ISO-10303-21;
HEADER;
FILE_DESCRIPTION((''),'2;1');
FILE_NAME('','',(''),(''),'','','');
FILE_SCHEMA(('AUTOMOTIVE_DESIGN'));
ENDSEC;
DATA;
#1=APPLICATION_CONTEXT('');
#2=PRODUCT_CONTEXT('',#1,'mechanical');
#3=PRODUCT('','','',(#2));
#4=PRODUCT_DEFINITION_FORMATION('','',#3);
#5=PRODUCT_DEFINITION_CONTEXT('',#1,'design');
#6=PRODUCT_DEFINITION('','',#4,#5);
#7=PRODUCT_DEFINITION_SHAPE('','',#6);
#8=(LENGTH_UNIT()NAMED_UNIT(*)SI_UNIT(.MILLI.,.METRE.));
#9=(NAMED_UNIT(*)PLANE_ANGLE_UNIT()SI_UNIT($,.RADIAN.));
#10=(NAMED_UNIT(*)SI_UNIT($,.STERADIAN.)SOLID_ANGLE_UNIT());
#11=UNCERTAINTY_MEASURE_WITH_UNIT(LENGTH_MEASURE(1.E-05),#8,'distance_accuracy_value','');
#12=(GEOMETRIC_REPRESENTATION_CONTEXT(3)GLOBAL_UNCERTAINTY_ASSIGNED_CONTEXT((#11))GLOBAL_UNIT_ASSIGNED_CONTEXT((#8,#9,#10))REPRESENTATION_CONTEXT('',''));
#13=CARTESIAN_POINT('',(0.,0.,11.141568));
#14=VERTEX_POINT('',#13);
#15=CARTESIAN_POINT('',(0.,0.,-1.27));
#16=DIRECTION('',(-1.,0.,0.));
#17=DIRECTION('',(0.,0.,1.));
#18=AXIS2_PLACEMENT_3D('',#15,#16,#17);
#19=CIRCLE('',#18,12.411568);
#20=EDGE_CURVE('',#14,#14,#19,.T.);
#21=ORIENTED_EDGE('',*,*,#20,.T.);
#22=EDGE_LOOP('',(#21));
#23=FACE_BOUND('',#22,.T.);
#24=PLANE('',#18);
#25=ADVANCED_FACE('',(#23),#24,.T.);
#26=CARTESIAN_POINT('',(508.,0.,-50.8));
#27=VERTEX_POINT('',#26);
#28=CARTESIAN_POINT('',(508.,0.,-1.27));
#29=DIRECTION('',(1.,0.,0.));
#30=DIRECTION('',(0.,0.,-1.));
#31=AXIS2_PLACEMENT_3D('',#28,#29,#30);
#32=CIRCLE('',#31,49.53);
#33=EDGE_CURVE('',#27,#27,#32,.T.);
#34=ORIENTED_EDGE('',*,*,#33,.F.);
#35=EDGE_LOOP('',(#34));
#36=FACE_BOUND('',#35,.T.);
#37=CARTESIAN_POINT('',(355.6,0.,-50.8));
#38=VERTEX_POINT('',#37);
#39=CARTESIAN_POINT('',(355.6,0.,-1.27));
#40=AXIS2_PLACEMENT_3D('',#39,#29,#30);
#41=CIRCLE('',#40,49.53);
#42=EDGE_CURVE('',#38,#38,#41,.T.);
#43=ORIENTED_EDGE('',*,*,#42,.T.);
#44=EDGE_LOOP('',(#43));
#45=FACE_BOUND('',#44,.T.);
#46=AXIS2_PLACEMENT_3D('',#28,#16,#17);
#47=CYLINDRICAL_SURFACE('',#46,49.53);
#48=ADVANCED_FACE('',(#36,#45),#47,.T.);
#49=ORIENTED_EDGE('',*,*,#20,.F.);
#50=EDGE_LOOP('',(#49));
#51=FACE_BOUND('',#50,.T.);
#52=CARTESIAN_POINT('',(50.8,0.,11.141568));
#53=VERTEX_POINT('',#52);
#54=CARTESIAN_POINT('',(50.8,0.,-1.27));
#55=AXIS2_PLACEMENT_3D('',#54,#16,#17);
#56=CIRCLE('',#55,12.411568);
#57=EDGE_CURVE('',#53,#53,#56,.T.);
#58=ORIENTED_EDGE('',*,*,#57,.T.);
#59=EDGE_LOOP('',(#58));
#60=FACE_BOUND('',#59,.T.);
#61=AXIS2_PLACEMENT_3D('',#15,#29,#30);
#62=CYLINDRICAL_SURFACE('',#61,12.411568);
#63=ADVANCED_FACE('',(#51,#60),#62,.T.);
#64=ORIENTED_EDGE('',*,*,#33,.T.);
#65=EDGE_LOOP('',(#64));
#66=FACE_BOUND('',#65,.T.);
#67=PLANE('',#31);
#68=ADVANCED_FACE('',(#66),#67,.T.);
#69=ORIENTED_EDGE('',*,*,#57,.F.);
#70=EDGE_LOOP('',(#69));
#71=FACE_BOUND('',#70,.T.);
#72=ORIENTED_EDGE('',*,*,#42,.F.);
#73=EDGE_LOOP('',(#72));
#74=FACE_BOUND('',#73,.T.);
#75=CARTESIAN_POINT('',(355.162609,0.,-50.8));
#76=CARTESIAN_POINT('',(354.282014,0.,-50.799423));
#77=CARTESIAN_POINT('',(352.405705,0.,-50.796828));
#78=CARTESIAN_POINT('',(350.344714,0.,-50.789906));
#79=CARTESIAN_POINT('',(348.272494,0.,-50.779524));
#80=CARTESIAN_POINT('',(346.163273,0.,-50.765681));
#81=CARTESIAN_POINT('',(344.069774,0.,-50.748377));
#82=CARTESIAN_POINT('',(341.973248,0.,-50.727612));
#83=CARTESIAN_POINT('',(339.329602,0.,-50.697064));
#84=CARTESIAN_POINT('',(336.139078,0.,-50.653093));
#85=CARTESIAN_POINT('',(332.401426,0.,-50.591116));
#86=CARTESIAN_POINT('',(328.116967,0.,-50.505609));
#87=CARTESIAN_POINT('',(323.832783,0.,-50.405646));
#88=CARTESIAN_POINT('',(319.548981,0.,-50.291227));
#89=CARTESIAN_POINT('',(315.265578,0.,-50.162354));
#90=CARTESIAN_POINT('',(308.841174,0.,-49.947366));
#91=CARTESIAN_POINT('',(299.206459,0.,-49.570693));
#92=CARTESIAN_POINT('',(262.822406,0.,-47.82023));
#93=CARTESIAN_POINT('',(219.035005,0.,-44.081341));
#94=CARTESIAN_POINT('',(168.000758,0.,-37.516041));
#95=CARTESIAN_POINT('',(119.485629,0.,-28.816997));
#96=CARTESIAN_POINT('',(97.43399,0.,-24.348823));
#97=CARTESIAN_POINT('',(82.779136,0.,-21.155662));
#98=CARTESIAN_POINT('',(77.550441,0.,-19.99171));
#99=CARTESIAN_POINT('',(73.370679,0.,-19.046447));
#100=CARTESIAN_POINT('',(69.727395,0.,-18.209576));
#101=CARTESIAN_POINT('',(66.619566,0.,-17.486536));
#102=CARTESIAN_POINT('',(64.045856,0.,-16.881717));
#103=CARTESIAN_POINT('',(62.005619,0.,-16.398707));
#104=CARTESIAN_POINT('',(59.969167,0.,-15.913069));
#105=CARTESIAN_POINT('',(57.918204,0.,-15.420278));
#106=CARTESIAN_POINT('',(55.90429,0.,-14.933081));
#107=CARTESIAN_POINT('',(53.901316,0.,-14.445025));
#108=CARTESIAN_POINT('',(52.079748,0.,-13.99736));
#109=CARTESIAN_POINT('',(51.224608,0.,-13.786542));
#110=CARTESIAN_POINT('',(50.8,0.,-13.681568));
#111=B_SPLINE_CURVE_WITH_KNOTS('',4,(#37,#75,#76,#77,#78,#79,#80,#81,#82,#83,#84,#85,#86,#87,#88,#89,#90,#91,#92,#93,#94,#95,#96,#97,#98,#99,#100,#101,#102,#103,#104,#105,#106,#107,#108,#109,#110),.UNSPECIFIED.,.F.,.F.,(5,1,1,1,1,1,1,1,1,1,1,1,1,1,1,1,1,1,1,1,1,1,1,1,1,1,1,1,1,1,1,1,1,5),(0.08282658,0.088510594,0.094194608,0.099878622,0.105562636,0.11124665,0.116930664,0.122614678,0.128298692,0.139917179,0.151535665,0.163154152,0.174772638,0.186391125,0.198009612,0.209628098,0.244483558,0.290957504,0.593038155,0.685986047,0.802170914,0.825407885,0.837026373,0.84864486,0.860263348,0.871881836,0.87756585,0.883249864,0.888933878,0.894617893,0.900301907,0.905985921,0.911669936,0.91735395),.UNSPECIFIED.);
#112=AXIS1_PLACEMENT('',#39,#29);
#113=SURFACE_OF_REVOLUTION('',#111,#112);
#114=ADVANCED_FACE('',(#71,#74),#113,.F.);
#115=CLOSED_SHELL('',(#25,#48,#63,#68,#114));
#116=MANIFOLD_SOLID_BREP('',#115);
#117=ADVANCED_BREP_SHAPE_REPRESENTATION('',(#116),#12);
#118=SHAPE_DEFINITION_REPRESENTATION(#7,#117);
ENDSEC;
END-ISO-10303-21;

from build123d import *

# Parameters (mm, degrees)
SKETCH2_R           = 49.53
BOSS_EXTRUDE1_DEPTH = 152.4
SKETCH3_R           = 12.411567775
BOSS_EXTRUDE2_DEPTH = 50.8


with BuildPart() as part:
    # Sketch1 → Revolve2 (revolve)
    with BuildSketch(Plane(origin=(0, 0, 0), x_dir=(1, 0, 0), z_dir=(0, 1, 0))):
        with BuildLine():
            Line((355.600000053, 50.799999973), (355.600000053, 1.269999973))
            Line((355.600000053, 1.269999973), (50.800000047, 1.269999973))
            Line((50.800000047, 1.269999973), (50.800000047, 13.68156774))
            add(Edge.make_bspline(
                [(50.800000047, 13.68156774), (51.224607869, 13.786541703), (52.079748124, 13.99736018), (53.901316113, 14.445024847), (55.90428978, 14.933081433), (57.918204029, 15.420277853), (59.969167456, 15.913068852), (62.005618607, 16.398707152), (64.04585603, 16.881716673), (66.619566178, 17.486536085), (69.727395203, 18.209576077), (73.370678613, 19.04644661), (77.55044141, 19.991710093), (82.779136229, 21.155661521), (97.433989811, 24.348822924), (119.485629173, 28.81699746), (168.00075752, 37.516041455), (219.035004801, 44.081341124), (262.822405655, 47.820230422), (299.206459448, 49.570692635), (308.841173655, 49.947366018), (315.265578413, 50.162354186), (319.548981494, 50.29122703), (323.832782669, 50.405645805), (328.116966628, 50.505609209), (332.401425999, 50.591116104), (336.139078075, 50.653092889), (339.329601827, 50.697064227), (341.973247658, 50.727612371), (344.069774299, 50.748376802), (346.163273231, 50.76568058), (348.272494467, 50.77952366), (350.344714481, 50.789906003), (352.405704949, 50.79682758), (354.282013928, 50.799423175), (355.162608625, 50.799999974), (355.600000053, 50.799999973)],
                knots=[0.08282658, 0.08282658, 0.08282658, 0.08282658, 0.08282658, 0.088510594, 0.094194608, 0.099878623, 0.105562637, 0.111246651, 0.116930666, 0.12261468, 0.128298694, 0.139917182, 0.15153567, 0.163154157, 0.174772645, 0.198009616, 0.314194483, 0.407142375, 0.709223026, 0.755696971, 0.790552431, 0.802170918, 0.813789405, 0.825407891, 0.837026378, 0.848644864, 0.860263351, 0.871881838, 0.877565852, 0.883249866, 0.88893388, 0.894617894, 0.900301908, 0.905985922, 0.911669936, 0.91735395, 0.91735395, 0.91735395, 0.91735395, 0.91735395], degree=4))
        make_face()
    revolve(axis=Axis((355.600000053, 0, -1.269999973), (-1, 0, 0)))

    # Sketch2 → Boss-Extrude1 (add)
    with BuildSketch(Plane(origin=(355.600000053, 0, 0), x_dir=(0, 0, -1), z_dir=(1, 0, 0))):
        with Locations((1.269999973, 0)):
            Circle(SKETCH2_R)
    extrude(amount=BOSS_EXTRUDE1_DEPTH)

    # Sketch3 → Boss-Extrude2 (add)
    with BuildSketch(Plane.ZY.offset(-50.800000063)):
        with Locations((-1.269999973, 0)):
            Circle(SKETCH3_R)
    extrude(amount=BOSS_EXTRUDE2_DEPTH)


solid = part.part
